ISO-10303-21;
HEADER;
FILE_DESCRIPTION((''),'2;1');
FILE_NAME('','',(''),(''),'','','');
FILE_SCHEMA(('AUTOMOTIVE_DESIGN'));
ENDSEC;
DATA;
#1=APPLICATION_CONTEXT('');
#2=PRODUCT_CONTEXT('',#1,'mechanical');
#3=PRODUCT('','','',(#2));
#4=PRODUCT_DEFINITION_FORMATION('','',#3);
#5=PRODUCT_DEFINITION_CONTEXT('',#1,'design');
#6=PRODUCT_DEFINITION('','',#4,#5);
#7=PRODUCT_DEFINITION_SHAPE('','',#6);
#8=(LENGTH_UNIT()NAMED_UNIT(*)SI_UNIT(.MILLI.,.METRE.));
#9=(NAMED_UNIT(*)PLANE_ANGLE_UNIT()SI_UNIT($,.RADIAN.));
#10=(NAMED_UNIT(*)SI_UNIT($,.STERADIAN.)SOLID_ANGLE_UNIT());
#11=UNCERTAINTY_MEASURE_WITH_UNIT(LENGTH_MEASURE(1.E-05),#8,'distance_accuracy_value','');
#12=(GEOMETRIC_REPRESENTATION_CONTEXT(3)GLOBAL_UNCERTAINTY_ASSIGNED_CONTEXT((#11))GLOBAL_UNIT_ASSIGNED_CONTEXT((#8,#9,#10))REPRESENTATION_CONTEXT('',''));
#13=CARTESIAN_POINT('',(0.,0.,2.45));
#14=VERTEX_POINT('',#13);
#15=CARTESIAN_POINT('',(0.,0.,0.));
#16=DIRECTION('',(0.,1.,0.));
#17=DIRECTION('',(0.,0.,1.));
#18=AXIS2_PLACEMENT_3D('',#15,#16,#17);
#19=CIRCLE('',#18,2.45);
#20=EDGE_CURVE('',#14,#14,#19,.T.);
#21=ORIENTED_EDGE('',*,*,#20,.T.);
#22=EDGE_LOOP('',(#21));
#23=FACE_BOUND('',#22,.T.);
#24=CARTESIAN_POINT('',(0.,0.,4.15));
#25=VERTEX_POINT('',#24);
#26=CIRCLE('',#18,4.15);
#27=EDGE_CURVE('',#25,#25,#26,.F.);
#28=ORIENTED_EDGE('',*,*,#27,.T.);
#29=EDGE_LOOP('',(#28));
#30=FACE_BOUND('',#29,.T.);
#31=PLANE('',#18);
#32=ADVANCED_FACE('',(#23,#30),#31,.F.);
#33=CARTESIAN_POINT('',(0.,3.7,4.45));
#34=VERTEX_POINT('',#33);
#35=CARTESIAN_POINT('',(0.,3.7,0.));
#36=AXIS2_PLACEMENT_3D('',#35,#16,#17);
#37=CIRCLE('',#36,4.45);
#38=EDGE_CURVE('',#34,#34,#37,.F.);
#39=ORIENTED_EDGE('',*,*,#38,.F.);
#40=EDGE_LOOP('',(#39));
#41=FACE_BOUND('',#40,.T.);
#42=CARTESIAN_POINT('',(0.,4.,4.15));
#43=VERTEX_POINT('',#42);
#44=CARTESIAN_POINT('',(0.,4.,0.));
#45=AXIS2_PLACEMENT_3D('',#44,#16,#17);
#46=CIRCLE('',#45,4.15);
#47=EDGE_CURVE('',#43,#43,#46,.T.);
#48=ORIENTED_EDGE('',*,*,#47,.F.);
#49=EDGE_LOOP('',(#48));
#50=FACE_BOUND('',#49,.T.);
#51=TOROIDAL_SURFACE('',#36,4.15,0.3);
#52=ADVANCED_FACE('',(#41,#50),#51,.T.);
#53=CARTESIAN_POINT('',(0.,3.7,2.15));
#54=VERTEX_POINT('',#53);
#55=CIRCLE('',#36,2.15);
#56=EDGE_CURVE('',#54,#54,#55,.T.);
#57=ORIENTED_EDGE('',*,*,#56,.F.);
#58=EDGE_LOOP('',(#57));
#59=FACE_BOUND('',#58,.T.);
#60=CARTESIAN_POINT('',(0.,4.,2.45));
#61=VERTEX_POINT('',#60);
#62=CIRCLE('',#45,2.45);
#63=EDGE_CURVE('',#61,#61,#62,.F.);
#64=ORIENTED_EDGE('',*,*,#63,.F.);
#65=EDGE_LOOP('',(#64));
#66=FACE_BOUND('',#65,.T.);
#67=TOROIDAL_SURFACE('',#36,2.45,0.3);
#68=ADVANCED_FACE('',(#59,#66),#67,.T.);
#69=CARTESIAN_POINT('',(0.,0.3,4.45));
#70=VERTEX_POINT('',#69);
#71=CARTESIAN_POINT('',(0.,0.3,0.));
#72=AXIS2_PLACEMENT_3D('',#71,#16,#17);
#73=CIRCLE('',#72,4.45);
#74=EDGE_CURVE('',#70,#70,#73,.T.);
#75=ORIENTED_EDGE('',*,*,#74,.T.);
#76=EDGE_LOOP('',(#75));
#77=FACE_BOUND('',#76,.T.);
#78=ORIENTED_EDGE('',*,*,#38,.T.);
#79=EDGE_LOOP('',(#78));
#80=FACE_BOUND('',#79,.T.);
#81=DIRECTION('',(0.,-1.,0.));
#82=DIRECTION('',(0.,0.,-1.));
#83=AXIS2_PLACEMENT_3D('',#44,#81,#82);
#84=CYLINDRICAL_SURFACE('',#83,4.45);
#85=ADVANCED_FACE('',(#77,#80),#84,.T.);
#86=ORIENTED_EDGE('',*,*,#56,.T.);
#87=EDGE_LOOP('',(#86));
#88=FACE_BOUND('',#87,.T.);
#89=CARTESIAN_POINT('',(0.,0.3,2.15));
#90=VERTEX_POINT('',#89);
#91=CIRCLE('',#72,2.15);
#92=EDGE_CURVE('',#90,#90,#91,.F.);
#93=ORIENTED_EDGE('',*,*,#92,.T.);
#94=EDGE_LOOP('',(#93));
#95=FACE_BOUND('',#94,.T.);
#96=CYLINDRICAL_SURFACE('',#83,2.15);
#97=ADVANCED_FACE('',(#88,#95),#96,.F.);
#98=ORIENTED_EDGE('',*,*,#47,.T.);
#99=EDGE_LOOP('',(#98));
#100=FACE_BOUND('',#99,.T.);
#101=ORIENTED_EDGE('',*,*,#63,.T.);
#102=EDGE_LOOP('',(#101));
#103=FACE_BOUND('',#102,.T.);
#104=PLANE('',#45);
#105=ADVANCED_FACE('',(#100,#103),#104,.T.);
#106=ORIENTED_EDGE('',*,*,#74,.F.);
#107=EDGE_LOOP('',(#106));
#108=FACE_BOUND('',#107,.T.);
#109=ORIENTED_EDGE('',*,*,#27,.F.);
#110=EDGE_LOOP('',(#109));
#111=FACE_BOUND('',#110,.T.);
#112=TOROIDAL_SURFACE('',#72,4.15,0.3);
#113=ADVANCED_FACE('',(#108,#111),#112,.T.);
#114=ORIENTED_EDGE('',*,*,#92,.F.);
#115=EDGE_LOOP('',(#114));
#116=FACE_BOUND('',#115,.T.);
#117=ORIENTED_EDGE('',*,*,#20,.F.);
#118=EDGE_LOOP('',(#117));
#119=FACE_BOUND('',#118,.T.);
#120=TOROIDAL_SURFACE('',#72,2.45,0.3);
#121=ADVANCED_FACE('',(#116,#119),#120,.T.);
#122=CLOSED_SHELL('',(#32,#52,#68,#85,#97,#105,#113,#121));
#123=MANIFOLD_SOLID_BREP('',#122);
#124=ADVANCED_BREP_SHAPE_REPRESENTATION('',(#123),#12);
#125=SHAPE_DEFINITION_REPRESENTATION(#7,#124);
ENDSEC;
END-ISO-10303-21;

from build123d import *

# Parameters (mm, degrees)
SKETCH_1_R      = 4.45
SKETCH_1_R_2    = 2.15
EXTRUDE_1_DEPTH = 4
FILLET_1_R      = 0.3


with BuildPart() as part:
    # Эскиз1 → Бобышка-Вытянуть1 (new body)
    with BuildSketch(Plane(origin=(0, 0, 0), x_dir=(1, 0, 0), z_dir=(0, 1, 0))):
        with Locations(Location((0, 0, 0), (0, 0, 270))):
            Circle(SKETCH_1_R)
        with Locations(Location((0, 0, 0), (0, 0, 270))):
            Circle(SKETCH_1_R_2, mode=Mode.SUBTRACT)
    extrude(amount=EXTRUDE_1_DEPTH)

    # Скругление1
    fillet_1_edges = [part.edges().sort_by_distance(p)[0] for p in [
        (0, 0, -4.45),
        (0, 4, -4.45),
        (0, 0, -2.15),
        (0, 4, -2.15),
    ]]
    fillet(fillet_1_edges, radius=FILLET_1_R)


solid = part.part
